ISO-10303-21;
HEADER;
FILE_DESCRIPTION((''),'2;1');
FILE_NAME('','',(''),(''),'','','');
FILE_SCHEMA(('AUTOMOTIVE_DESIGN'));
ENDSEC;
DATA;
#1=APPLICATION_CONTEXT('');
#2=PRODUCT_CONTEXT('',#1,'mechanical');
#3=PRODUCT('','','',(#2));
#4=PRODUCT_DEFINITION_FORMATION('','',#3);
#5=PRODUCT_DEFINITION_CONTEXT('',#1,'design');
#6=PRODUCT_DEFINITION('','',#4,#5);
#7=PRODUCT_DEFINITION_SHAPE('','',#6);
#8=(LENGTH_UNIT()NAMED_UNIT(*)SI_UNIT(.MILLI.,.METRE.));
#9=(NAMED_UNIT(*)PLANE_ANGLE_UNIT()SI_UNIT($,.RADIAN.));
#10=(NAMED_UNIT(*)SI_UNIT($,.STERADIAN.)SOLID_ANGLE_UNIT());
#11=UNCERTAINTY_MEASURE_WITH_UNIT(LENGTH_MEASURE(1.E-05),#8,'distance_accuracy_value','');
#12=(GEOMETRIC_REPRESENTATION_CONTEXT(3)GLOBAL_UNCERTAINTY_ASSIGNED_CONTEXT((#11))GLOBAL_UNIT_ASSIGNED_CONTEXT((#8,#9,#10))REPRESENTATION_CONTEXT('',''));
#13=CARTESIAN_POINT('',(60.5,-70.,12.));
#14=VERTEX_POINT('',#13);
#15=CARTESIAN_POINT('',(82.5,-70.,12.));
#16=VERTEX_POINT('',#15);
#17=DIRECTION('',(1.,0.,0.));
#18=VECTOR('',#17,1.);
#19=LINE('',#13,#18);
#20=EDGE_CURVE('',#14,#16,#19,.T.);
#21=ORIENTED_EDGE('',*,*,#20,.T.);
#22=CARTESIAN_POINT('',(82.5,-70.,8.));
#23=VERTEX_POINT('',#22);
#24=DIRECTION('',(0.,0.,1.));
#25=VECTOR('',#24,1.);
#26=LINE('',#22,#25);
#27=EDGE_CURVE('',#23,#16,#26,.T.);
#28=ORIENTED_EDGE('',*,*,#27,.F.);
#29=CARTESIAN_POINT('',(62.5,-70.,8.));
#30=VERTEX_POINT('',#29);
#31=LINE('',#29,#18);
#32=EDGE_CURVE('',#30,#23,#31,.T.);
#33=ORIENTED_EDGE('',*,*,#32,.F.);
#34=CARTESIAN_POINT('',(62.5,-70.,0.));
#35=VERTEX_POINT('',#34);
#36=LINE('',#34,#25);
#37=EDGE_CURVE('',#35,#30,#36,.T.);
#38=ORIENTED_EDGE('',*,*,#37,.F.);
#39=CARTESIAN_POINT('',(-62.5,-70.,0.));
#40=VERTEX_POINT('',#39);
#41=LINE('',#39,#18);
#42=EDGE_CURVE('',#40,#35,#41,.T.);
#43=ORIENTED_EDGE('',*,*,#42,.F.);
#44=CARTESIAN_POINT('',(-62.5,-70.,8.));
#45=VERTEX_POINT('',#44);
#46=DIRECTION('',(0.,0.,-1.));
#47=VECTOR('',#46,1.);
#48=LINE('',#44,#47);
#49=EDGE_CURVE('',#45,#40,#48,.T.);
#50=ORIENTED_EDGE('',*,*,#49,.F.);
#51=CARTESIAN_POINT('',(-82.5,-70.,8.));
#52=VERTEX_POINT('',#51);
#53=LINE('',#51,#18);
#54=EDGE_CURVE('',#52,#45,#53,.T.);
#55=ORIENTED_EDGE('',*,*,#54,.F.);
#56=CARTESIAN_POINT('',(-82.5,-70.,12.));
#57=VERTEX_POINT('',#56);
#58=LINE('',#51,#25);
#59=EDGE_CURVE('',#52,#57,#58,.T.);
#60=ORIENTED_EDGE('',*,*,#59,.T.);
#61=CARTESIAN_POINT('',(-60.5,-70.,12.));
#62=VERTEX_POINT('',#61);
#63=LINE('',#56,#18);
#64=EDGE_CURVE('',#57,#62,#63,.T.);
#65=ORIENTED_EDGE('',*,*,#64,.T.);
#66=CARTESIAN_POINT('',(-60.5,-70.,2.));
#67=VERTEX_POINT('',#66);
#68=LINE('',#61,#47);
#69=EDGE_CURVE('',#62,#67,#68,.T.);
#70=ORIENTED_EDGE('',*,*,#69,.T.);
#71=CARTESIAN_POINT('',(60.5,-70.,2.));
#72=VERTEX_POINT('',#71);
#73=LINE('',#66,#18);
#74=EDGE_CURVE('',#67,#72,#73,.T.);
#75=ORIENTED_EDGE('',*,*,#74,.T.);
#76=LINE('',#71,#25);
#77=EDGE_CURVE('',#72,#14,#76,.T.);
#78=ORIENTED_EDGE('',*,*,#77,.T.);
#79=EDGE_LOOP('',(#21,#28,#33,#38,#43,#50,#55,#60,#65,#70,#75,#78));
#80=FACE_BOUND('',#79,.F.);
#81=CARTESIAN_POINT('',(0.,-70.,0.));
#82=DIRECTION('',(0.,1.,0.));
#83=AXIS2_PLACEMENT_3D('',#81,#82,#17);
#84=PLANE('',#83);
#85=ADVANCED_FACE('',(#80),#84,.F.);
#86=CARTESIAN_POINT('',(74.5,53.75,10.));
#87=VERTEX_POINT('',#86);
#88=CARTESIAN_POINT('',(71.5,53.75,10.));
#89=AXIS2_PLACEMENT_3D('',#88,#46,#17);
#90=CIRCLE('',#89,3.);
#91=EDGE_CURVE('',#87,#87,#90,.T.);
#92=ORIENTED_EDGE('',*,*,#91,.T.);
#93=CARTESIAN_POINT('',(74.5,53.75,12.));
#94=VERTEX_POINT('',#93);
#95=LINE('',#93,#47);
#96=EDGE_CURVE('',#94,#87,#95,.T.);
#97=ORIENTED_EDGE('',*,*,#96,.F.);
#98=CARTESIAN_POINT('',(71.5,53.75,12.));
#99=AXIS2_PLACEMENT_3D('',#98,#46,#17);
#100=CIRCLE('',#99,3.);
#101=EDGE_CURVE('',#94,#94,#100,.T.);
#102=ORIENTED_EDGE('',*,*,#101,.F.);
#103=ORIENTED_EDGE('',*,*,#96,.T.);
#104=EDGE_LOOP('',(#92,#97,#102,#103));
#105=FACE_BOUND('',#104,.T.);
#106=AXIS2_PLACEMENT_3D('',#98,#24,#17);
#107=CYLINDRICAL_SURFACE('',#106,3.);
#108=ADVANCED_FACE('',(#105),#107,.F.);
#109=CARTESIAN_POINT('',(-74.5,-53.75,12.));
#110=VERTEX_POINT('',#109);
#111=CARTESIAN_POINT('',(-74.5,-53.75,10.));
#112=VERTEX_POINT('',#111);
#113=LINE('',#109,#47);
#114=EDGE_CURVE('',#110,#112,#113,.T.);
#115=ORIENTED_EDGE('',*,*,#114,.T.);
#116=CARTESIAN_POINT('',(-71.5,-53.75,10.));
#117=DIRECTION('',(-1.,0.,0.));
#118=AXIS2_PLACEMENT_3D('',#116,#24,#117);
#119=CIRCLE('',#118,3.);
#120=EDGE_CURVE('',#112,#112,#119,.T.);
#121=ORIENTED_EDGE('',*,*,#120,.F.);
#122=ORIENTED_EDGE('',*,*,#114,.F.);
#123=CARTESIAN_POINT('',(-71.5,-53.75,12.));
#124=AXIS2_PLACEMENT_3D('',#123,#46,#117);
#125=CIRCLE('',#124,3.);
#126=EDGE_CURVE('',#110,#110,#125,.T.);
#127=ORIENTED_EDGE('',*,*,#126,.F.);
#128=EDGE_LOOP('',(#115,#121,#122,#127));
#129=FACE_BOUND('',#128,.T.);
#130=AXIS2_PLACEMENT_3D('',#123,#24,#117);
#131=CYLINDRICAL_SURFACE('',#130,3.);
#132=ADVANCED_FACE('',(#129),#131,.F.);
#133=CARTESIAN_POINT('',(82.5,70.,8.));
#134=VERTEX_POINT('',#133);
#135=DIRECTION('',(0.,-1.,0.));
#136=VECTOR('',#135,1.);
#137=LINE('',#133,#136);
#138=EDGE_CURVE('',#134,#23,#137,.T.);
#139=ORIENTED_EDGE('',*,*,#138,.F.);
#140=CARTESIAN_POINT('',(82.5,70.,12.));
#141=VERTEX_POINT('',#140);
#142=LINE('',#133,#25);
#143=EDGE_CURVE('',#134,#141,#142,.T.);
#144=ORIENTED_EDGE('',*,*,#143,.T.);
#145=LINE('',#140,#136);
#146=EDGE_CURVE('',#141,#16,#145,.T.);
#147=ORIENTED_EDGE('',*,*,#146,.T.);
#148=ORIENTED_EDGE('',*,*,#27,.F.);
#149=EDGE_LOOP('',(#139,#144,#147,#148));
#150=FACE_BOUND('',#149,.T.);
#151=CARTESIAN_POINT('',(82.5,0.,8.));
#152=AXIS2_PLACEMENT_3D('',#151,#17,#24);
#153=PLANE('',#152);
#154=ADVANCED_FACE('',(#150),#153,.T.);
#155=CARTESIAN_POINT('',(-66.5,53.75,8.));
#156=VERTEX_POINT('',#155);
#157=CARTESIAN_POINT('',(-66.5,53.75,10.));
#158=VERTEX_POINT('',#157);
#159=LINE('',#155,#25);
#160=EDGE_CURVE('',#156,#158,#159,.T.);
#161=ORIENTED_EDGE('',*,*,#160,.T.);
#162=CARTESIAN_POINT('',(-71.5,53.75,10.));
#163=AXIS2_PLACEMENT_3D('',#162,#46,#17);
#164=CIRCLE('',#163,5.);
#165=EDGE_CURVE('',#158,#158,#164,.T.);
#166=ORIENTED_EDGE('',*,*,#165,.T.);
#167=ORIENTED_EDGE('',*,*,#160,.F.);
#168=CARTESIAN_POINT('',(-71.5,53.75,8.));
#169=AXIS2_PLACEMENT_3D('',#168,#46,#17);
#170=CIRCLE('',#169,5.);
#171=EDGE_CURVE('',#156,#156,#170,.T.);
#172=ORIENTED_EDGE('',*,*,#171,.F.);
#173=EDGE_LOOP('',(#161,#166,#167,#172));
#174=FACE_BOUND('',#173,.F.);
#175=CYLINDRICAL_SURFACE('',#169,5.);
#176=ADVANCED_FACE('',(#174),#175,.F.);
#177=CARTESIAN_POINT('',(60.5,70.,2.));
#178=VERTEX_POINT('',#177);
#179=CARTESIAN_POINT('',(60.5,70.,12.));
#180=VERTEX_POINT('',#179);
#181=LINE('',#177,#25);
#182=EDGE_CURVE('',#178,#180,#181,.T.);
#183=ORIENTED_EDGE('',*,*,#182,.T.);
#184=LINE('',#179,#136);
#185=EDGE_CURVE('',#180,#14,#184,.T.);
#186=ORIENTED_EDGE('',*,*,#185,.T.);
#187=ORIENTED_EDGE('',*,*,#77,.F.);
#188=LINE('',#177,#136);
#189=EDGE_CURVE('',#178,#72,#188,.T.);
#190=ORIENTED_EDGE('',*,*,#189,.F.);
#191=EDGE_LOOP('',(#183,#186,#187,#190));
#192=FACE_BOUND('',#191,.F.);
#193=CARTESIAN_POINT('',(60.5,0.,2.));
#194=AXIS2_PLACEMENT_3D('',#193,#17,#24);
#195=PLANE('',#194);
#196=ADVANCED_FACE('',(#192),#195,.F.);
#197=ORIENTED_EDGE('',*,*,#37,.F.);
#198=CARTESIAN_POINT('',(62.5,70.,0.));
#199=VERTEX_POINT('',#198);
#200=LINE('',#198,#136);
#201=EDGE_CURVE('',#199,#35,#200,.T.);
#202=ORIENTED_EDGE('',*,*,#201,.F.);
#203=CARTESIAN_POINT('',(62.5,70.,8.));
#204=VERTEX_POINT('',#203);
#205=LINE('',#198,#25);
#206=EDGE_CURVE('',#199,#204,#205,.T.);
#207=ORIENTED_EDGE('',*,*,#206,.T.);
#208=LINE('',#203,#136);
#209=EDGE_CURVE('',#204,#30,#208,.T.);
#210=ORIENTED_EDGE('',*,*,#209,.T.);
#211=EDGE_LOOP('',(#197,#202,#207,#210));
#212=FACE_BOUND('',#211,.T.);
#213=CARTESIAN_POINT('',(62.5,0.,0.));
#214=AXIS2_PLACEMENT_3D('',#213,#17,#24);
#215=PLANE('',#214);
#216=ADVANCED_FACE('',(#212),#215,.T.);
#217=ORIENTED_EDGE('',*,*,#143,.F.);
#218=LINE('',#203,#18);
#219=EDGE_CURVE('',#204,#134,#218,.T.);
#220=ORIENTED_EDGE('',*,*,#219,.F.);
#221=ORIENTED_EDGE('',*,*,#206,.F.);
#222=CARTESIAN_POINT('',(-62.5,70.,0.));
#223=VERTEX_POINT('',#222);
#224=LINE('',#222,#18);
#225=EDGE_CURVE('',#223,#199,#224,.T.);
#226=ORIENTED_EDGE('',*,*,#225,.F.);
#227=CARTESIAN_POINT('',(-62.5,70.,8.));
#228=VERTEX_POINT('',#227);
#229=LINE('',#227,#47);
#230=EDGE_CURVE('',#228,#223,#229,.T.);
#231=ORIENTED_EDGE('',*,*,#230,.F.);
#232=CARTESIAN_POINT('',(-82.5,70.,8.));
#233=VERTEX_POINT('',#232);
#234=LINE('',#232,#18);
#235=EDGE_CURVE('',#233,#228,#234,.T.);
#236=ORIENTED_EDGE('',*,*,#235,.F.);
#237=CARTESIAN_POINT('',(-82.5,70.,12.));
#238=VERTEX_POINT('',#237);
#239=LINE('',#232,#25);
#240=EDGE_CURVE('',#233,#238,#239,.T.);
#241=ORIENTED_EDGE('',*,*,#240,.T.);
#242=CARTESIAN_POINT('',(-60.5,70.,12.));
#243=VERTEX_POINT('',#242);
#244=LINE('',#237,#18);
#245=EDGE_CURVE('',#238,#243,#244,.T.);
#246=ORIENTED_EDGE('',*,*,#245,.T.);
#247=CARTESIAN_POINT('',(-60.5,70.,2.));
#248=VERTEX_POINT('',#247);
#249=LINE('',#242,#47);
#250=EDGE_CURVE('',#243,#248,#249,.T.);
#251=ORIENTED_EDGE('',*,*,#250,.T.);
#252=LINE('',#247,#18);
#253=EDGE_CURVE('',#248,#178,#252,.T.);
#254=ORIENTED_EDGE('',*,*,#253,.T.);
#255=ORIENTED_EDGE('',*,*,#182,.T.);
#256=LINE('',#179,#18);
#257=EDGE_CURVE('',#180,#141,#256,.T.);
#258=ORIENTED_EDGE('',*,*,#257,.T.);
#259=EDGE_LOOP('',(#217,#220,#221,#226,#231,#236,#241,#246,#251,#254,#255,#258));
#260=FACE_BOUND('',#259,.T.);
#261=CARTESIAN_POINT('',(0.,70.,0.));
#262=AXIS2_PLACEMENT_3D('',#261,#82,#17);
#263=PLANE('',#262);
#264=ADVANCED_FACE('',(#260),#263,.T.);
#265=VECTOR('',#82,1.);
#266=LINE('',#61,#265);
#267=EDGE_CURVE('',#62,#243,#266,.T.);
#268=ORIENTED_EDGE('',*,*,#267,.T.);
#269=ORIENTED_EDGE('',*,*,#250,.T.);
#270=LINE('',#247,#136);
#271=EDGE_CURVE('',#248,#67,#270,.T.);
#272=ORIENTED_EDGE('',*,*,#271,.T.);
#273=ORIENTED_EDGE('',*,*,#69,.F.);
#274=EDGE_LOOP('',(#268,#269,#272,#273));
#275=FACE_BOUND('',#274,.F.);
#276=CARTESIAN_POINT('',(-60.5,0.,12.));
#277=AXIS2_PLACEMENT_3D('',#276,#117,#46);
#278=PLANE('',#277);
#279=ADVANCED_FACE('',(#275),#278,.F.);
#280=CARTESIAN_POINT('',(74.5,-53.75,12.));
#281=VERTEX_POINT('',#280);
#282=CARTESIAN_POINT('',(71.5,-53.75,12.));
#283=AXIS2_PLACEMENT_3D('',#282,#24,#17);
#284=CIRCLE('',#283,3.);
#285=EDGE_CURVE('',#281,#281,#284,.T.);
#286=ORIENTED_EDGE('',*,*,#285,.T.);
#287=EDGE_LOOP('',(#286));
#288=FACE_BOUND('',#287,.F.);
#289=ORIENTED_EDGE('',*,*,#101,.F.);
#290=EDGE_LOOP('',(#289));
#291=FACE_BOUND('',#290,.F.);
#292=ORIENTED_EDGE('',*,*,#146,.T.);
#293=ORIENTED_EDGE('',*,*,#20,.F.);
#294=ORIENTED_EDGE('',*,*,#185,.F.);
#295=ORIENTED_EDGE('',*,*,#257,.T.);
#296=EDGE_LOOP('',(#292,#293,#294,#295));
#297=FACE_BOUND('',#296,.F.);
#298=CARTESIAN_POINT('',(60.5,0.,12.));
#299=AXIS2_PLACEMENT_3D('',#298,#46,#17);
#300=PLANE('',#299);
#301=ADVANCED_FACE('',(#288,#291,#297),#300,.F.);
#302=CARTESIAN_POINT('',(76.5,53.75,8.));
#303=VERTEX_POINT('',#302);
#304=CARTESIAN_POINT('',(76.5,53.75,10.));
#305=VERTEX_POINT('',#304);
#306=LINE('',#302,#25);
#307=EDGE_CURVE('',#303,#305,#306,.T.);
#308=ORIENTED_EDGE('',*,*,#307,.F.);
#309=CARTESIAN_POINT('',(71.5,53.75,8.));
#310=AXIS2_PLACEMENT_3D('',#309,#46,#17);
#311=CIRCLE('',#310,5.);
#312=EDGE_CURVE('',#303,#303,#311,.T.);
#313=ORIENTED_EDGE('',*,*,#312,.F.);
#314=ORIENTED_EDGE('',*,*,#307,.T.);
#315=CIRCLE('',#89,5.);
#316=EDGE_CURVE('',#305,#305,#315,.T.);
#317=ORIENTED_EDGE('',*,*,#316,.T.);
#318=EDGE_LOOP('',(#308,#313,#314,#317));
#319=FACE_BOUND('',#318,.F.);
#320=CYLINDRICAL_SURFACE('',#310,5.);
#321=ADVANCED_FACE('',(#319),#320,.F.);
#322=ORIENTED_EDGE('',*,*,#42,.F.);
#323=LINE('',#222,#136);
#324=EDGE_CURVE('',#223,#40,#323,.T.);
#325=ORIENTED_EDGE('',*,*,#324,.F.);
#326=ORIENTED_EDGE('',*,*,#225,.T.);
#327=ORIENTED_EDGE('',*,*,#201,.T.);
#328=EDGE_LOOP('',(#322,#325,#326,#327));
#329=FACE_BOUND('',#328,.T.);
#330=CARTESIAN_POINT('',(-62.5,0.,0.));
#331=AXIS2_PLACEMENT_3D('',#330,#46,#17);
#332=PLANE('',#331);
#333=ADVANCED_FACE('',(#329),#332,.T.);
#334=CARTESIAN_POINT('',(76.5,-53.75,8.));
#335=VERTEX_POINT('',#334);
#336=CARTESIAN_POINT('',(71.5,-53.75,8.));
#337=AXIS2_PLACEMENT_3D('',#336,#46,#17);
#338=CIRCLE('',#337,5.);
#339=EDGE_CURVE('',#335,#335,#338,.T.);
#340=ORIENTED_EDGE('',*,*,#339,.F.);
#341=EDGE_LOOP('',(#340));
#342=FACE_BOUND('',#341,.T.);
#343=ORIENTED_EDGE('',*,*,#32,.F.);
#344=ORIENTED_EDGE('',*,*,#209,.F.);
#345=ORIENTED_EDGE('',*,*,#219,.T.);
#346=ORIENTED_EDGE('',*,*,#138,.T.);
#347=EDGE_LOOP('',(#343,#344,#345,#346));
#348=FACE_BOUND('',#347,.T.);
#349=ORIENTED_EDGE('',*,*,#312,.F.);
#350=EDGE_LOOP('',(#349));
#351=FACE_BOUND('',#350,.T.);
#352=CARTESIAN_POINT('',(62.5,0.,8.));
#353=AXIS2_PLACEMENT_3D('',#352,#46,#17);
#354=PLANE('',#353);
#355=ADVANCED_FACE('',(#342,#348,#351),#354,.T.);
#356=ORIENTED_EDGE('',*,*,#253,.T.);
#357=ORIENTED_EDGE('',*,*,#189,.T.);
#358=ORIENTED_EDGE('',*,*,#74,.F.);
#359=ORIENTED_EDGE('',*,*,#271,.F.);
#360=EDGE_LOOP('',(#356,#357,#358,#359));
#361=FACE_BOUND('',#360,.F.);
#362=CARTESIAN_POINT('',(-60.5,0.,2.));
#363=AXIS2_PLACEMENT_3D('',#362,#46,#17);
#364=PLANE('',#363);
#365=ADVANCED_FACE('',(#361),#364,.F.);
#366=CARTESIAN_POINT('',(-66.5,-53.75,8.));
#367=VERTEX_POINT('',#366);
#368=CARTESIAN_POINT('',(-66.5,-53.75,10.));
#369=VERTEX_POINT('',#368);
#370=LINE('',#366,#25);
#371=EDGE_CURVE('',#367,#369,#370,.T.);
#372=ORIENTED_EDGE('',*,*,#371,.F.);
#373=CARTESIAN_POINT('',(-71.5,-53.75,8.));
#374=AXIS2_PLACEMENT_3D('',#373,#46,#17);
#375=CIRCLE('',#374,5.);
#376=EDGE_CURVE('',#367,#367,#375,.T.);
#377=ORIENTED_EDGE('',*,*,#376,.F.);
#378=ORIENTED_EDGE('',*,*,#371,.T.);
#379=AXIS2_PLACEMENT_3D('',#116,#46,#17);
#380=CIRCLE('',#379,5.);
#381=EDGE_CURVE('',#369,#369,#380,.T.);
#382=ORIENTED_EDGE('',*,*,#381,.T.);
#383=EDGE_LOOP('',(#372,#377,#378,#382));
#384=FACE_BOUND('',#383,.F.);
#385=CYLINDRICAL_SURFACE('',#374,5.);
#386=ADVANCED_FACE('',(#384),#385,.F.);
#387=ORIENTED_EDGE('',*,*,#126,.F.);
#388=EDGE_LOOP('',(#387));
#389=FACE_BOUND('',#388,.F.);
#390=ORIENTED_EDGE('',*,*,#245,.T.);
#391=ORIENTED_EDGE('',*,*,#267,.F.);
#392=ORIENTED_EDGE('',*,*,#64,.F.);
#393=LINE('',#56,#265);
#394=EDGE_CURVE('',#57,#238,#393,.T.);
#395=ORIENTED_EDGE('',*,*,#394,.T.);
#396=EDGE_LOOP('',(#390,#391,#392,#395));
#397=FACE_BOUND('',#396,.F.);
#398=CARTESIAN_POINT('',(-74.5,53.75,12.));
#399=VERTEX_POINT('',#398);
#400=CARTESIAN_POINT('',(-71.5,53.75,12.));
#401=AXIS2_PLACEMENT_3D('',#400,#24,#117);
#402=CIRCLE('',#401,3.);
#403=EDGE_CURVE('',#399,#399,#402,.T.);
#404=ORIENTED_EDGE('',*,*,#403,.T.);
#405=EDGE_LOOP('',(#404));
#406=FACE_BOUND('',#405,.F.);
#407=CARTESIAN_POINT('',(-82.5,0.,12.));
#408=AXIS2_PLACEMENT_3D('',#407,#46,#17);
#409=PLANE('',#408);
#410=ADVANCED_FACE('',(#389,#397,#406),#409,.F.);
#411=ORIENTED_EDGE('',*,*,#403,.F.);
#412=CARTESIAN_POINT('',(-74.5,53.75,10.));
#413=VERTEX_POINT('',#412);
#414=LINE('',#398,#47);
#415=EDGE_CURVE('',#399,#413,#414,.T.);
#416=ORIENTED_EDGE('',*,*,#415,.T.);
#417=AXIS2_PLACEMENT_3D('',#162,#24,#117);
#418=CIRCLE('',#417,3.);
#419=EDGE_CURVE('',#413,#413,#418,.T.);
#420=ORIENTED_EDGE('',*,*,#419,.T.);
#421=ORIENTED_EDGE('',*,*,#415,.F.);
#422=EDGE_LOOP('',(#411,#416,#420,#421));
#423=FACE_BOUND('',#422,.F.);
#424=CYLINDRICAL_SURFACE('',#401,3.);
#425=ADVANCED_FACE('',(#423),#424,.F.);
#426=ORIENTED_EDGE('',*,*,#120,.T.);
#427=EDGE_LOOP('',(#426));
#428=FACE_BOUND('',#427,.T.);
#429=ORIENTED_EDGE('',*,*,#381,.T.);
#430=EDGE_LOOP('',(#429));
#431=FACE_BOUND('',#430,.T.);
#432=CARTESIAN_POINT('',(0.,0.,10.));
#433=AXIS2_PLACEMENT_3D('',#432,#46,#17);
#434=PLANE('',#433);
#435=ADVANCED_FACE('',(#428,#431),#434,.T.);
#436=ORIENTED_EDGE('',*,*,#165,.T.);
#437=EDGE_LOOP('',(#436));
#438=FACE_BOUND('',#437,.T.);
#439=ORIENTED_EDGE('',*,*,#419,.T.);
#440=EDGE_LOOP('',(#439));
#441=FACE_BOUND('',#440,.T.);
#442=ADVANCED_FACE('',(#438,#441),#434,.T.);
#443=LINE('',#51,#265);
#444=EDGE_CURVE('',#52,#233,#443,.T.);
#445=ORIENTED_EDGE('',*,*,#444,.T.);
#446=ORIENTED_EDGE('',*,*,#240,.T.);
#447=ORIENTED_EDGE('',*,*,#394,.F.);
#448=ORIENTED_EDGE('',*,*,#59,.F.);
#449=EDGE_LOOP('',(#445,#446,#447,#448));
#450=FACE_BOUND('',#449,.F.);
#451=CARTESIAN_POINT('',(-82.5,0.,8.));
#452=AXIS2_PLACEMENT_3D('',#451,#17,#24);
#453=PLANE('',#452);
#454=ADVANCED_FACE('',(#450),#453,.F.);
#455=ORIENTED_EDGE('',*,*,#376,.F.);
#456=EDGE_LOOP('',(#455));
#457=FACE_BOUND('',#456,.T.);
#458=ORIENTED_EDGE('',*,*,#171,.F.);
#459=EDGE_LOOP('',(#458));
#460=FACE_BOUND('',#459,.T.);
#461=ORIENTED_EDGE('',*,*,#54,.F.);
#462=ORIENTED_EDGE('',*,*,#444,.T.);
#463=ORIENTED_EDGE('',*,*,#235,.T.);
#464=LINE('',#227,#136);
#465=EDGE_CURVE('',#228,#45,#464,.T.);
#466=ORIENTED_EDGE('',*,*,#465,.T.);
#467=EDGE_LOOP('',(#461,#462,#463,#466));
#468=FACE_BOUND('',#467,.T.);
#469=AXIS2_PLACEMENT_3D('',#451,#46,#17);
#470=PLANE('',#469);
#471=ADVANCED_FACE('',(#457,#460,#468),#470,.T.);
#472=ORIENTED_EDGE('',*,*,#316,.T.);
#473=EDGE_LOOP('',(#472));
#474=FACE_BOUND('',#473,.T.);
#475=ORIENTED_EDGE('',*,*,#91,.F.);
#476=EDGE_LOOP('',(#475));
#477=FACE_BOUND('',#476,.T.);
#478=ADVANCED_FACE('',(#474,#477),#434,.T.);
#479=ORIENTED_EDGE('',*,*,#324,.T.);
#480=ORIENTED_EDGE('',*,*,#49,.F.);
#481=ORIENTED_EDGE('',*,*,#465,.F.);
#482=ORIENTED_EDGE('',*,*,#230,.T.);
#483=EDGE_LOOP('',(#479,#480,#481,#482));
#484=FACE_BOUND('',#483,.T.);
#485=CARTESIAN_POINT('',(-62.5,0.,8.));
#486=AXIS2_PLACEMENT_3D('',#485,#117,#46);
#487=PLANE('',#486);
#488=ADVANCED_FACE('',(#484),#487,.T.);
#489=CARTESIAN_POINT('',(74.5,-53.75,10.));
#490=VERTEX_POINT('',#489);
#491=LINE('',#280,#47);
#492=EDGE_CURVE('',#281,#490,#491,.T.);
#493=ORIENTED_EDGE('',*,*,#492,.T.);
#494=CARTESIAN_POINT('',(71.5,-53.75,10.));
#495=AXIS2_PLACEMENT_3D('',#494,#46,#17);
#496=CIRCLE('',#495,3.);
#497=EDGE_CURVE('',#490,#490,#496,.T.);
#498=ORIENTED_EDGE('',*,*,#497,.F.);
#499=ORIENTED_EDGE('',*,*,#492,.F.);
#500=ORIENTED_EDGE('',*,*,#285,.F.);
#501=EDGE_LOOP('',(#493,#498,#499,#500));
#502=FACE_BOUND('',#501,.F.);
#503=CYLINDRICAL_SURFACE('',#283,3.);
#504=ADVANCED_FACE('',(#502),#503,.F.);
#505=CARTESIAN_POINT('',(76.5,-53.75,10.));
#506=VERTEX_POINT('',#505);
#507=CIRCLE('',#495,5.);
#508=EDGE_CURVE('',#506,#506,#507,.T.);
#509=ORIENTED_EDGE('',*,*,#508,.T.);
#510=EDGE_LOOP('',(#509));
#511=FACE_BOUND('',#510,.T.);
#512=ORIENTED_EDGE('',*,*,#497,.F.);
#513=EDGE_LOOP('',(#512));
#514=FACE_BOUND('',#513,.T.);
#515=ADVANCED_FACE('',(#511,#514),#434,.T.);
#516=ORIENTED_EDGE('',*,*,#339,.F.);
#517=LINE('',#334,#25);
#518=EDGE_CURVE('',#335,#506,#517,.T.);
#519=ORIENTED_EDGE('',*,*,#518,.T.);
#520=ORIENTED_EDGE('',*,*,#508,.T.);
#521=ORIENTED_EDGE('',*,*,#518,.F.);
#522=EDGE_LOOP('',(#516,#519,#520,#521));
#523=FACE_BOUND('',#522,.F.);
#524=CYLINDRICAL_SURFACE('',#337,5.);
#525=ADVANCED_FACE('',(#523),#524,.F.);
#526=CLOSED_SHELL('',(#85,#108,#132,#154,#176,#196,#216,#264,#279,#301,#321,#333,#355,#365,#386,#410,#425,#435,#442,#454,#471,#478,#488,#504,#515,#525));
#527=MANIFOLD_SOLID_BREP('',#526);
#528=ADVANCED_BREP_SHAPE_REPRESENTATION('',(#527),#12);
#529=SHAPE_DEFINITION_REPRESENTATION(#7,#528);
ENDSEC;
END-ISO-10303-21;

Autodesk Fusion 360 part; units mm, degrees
sketch "extrusion" plane through (0, 0, 0) normal (0, 1, 0) x (1, 0, 0)
  line L0 (-82.5, -8) -> (-62.5, -8)
  line L1 (-62.5, -8) -> (-62.5, 0)
  line L2 (-62.5, 0) -> (62.5, 0)
  line L3 (62.5, 0) -> (62.5, -8)
  line L4 (62.5, -8) -> (82.5, -8)
  line L5 (-60.5, -12) -> (-60.5, -2)
  line L6 (-60.5, -2) -> (60.5, -2)
  line L7 (60.5, -2) -> (60.5, -12)
  line L8 (-82.5, -12) -> (-60.5, -12)
  line L9 (60.5, -12) -> (82.5, -12)
  line L10 (-82.5, -8) -> (-82.5, -12)
  line L11 (82.5, -8) -> (82.5, -12)
  dimension "d1" = 125
  dimension "d2" = 8
  dimension "d3" = 20
  dimension "d4" = 8
  dimension "d5" = 20
extrude "Extrude1" add sketch "extrusion" along normal mid plane 140
sketch "top holes" plane through (0, 0, 12) normal (0, 0, 1) x (-1, 0, 0)
  circle A0 centre (71.5, -53.75) radius 3
  line L0 (82.5, -70) -> (60.5, -70)
  point P0 (71.5, -70)
  dimension "d11" = 6
  dimension "d12" = 16.25
extrude "Extrude2" cut sketch "top holes" against normal blind 4
mirror "Mirror1" about plane through (0, 0, 0) normal (1, 0, 0) of "Extrude2"
mirror "Mirror2" about plane through (0, 0, 0) normal (0, 1, 0) of "Extrude2", "Mirror1"
sketch "Sketch5" plane through (0, 0, 8) normal (0, 0, -1) x (1, 0, 0)
  circle A0 centre (71.5, 53.75) radius 3
  circle A1 centre (71.5, -53.75) radius 3
  line L0 (62.5, 70) -> (62.5, -70)
  line L1 (62.5, -70) -> (82.5, -70)
  line L2 (82.5, -70) -> (82.5, 70)
  line L3 (82.5, 70) -> (62.5, 70)
  circle A2 centre (71.5, 53.75) radius 5
  dimension "d35" = 10
extrude "Extrude6" cut sketch "Sketch5" against normal blind 2 contours A2
sketch "Sketch6" plane through (0, 0, 8) normal (0, 0, -1) x (1, 0, 0)
  circle A0 centre (71.5, 53.75) radius 5
  circle A1 centre (71.5, -53.75) radius 3
  line L0 (62.5, 70) -> (62.5, -70)
  line L1 (62.5, -70) -> (82.5, -70)
  line L2 (82.5, -70) -> (82.5, 70)
  line L3 (82.5, 70) -> (62.5, 70)
  circle A2 centre (71.5, -53.75) radius 5
  dimension "d38" = 10
extrude "Extrude7" cut sketch "Sketch6" against normal blind 2 contours A2
sketch "Sketch7" plane through (0, 0, 8) normal (0, 0, -1) x (1, 0, 0)
  circle A0 centre (-71.5, 53.75) radius 3
  circle A1 centre (-71.5, -53.75) radius 3
  line L0 (-82.5, 70) -> (-82.5, -70)
  line L1 (-82.5, -70) -> (-62.5, -70)
  line L2 (-62.5, -70) -> (-62.5, 70)
  line L3 (-62.5, 70) -> (-82.5, 70)
  circle A2 centre (-71.5, 53.75) radius 5
  dimension "d41" = 10
extrude "Extrude8" cut sketch "Sketch7" against normal blind 2 contours A2
sketch "Sketch8" plane through (0, 0, 8) normal (0, 0, -1) x (1, 0, 0)
  circle A0 centre (-71.5, 53.75) radius 5
  circle A1 centre (-71.5, -53.75) radius 3
  line L0 (-82.5, 70) -> (-82.5, -70)
  line L1 (-82.5, -70) -> (-62.5, -70)
  line L2 (-62.5, -70) -> (-62.5, 70)
  line L3 (-62.5, 70) -> (-82.5, 70)
  circle A2 centre (-71.5, -53.75) radius 5
  dimension "d44" = 10
extrude "Extrude9" cut sketch "Sketch8" against normal blind 2 contours A2
